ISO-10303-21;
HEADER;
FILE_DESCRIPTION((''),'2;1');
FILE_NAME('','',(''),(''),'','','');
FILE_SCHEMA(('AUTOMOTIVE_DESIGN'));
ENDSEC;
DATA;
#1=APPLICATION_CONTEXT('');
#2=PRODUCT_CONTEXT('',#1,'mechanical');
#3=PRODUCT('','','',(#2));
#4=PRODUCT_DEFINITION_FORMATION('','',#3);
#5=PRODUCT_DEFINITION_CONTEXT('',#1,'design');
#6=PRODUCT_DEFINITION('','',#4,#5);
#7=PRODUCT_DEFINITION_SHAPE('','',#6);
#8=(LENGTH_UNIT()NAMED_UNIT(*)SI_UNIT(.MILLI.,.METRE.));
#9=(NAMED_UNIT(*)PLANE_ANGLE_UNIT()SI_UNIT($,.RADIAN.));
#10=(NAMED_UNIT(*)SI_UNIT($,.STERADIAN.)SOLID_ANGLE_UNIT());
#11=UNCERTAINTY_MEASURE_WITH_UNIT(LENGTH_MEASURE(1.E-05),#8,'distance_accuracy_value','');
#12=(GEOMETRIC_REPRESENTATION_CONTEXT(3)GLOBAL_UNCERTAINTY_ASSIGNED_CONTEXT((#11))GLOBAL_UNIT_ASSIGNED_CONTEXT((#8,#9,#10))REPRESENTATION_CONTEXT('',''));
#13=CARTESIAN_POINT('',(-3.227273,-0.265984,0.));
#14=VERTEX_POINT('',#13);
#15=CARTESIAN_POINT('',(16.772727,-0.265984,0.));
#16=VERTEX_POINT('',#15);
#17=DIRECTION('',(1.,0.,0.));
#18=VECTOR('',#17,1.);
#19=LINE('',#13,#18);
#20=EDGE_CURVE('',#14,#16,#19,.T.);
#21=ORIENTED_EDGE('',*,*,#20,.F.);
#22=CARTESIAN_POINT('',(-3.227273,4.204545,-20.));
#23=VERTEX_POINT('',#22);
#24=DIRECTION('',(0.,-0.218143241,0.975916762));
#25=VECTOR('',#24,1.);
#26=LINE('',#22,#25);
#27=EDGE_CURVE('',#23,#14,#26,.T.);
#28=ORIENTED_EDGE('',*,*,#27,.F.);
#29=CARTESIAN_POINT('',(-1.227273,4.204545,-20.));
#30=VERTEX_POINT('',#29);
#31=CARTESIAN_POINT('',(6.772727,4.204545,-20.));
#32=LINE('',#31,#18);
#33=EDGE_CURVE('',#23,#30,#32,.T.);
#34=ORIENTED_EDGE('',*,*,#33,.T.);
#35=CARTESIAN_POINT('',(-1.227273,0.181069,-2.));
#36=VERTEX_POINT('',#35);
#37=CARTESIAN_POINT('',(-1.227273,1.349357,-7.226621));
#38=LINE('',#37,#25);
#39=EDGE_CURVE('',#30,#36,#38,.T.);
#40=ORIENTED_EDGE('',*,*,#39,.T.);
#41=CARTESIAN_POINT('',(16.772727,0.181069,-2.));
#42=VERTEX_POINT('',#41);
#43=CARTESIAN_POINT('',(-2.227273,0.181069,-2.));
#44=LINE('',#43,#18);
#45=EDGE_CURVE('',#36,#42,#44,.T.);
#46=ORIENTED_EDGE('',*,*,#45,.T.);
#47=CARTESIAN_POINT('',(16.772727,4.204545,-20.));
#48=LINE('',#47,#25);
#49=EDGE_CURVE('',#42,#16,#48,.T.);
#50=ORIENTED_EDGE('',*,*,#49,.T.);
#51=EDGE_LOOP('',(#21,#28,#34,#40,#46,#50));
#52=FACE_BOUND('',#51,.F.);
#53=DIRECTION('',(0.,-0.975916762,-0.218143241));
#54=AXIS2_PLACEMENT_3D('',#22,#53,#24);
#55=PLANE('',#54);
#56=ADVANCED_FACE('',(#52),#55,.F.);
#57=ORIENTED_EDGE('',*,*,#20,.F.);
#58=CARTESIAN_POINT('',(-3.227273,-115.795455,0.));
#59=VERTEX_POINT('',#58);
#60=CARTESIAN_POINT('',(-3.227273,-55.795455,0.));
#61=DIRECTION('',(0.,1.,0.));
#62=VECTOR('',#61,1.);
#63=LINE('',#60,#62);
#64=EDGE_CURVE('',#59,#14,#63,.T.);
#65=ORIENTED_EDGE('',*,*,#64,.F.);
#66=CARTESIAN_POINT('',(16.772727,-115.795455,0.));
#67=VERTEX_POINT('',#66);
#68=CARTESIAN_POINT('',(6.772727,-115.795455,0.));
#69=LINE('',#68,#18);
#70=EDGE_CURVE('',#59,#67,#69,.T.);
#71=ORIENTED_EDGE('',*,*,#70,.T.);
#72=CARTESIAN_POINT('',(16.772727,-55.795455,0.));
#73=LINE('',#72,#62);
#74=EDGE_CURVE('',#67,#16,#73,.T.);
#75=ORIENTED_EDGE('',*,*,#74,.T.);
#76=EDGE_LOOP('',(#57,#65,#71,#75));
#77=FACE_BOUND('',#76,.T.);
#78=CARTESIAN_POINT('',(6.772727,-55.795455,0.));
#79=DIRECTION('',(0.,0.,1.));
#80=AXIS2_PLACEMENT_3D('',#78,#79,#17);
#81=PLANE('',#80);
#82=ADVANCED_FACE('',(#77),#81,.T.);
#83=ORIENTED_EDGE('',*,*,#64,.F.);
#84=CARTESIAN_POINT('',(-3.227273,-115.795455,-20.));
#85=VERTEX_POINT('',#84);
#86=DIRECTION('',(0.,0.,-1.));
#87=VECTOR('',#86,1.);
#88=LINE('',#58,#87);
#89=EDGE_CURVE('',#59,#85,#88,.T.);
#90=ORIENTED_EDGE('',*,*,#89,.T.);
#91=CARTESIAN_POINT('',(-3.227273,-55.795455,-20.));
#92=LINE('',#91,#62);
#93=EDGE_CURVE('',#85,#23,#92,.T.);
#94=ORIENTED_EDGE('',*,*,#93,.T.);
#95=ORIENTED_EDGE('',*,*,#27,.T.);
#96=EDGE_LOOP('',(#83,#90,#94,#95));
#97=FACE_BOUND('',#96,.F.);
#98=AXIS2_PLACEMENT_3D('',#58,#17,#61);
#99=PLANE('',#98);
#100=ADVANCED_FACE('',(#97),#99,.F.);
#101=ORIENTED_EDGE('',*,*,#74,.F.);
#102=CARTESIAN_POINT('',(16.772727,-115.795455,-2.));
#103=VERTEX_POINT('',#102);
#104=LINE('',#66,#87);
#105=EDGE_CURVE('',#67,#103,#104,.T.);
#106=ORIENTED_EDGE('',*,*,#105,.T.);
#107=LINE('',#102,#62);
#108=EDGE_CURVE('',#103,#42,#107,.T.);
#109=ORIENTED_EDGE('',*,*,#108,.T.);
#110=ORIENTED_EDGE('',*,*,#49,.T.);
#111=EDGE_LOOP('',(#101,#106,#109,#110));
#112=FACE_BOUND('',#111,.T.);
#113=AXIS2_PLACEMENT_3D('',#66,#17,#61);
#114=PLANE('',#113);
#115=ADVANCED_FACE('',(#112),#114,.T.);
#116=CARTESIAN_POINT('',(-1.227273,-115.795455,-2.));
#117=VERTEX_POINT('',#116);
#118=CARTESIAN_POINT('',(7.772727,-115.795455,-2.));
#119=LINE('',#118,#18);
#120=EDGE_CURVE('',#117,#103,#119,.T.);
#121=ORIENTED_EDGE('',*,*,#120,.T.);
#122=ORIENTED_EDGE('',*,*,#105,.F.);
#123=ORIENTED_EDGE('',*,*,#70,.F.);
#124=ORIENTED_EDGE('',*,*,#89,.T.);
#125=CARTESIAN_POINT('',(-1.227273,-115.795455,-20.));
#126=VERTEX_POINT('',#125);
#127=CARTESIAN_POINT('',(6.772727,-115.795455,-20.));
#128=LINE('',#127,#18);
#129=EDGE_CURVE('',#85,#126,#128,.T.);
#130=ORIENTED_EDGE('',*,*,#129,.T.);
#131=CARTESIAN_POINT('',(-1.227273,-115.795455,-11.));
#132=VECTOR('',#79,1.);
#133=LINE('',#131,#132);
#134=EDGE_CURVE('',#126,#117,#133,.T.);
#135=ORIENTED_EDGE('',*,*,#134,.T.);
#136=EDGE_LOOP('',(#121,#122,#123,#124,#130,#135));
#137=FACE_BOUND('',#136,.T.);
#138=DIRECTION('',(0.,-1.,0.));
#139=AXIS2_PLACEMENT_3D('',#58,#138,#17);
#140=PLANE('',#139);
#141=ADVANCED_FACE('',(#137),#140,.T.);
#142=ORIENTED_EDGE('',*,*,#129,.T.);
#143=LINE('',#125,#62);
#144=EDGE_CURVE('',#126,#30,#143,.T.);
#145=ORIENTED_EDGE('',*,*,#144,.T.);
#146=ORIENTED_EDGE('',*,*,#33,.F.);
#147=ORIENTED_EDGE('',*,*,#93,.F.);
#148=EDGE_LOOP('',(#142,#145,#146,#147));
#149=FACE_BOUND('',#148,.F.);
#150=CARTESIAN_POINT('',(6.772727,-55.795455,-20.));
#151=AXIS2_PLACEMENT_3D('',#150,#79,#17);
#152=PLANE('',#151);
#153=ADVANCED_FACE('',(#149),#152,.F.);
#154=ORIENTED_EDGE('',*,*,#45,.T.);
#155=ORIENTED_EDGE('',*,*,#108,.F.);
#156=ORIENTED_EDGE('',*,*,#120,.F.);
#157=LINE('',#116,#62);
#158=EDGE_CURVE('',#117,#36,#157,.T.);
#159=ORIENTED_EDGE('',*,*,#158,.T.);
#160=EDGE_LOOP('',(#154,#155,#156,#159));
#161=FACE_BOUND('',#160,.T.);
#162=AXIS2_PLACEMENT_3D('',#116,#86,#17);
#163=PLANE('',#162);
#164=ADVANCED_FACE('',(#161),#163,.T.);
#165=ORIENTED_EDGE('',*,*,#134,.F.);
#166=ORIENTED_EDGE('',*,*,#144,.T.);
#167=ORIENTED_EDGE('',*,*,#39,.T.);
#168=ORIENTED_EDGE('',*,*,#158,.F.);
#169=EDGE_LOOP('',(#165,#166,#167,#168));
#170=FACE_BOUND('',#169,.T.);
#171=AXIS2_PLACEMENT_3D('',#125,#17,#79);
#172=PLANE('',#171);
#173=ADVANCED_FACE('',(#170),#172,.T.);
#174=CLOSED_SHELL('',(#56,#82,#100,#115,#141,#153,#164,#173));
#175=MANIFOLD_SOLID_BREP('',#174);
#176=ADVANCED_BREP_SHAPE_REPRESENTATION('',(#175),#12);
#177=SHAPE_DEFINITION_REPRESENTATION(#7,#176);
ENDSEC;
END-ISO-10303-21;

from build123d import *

# Parameters (mm, degrees)
SKETCH1_W           = 20
SKETCH1_H           = 120
BOSS_EXTRUDE1_DEPTH = 20
CUT_EXTRUDE2_DEPTH  = 20
SKETCH5_W           = 18
SKETCH5_H           = 18
CUT_EXTRUDE4_DEPTH  = 120


with BuildPart() as part:
    # Sketch1 → Boss-Extrude1 (new body)
    with BuildSketch(Plane.XY):
        with Locations((6.772727273, -55.795454545)):
            Rectangle(SKETCH1_W, SKETCH1_H)
    extrude(amount=-BOSS_EXTRUDE1_DEPTH)

    # Sketch4 → Cut-Extrude2 (cut)
    with BuildSketch(Plane.ZY.offset(3.227272727)):
        Polygon((-20, 4.204545455), (0, -0.265984203), (0, 4.204545455), align=None)
    extrude(amount=-CUT_EXTRUDE2_DEPTH, mode=Mode.SUBTRACT)

    # Sketch5 → Cut-Extrude4 (cut)
    with BuildSketch(Plane.XZ.offset(115.795454545)):
        with Locations((7.772727273, -11)):
            Rectangle(SKETCH5_W, SKETCH5_H)
    extrude(amount=-CUT_EXTRUDE4_DEPTH, mode=Mode.SUBTRACT)


solid = part.part
